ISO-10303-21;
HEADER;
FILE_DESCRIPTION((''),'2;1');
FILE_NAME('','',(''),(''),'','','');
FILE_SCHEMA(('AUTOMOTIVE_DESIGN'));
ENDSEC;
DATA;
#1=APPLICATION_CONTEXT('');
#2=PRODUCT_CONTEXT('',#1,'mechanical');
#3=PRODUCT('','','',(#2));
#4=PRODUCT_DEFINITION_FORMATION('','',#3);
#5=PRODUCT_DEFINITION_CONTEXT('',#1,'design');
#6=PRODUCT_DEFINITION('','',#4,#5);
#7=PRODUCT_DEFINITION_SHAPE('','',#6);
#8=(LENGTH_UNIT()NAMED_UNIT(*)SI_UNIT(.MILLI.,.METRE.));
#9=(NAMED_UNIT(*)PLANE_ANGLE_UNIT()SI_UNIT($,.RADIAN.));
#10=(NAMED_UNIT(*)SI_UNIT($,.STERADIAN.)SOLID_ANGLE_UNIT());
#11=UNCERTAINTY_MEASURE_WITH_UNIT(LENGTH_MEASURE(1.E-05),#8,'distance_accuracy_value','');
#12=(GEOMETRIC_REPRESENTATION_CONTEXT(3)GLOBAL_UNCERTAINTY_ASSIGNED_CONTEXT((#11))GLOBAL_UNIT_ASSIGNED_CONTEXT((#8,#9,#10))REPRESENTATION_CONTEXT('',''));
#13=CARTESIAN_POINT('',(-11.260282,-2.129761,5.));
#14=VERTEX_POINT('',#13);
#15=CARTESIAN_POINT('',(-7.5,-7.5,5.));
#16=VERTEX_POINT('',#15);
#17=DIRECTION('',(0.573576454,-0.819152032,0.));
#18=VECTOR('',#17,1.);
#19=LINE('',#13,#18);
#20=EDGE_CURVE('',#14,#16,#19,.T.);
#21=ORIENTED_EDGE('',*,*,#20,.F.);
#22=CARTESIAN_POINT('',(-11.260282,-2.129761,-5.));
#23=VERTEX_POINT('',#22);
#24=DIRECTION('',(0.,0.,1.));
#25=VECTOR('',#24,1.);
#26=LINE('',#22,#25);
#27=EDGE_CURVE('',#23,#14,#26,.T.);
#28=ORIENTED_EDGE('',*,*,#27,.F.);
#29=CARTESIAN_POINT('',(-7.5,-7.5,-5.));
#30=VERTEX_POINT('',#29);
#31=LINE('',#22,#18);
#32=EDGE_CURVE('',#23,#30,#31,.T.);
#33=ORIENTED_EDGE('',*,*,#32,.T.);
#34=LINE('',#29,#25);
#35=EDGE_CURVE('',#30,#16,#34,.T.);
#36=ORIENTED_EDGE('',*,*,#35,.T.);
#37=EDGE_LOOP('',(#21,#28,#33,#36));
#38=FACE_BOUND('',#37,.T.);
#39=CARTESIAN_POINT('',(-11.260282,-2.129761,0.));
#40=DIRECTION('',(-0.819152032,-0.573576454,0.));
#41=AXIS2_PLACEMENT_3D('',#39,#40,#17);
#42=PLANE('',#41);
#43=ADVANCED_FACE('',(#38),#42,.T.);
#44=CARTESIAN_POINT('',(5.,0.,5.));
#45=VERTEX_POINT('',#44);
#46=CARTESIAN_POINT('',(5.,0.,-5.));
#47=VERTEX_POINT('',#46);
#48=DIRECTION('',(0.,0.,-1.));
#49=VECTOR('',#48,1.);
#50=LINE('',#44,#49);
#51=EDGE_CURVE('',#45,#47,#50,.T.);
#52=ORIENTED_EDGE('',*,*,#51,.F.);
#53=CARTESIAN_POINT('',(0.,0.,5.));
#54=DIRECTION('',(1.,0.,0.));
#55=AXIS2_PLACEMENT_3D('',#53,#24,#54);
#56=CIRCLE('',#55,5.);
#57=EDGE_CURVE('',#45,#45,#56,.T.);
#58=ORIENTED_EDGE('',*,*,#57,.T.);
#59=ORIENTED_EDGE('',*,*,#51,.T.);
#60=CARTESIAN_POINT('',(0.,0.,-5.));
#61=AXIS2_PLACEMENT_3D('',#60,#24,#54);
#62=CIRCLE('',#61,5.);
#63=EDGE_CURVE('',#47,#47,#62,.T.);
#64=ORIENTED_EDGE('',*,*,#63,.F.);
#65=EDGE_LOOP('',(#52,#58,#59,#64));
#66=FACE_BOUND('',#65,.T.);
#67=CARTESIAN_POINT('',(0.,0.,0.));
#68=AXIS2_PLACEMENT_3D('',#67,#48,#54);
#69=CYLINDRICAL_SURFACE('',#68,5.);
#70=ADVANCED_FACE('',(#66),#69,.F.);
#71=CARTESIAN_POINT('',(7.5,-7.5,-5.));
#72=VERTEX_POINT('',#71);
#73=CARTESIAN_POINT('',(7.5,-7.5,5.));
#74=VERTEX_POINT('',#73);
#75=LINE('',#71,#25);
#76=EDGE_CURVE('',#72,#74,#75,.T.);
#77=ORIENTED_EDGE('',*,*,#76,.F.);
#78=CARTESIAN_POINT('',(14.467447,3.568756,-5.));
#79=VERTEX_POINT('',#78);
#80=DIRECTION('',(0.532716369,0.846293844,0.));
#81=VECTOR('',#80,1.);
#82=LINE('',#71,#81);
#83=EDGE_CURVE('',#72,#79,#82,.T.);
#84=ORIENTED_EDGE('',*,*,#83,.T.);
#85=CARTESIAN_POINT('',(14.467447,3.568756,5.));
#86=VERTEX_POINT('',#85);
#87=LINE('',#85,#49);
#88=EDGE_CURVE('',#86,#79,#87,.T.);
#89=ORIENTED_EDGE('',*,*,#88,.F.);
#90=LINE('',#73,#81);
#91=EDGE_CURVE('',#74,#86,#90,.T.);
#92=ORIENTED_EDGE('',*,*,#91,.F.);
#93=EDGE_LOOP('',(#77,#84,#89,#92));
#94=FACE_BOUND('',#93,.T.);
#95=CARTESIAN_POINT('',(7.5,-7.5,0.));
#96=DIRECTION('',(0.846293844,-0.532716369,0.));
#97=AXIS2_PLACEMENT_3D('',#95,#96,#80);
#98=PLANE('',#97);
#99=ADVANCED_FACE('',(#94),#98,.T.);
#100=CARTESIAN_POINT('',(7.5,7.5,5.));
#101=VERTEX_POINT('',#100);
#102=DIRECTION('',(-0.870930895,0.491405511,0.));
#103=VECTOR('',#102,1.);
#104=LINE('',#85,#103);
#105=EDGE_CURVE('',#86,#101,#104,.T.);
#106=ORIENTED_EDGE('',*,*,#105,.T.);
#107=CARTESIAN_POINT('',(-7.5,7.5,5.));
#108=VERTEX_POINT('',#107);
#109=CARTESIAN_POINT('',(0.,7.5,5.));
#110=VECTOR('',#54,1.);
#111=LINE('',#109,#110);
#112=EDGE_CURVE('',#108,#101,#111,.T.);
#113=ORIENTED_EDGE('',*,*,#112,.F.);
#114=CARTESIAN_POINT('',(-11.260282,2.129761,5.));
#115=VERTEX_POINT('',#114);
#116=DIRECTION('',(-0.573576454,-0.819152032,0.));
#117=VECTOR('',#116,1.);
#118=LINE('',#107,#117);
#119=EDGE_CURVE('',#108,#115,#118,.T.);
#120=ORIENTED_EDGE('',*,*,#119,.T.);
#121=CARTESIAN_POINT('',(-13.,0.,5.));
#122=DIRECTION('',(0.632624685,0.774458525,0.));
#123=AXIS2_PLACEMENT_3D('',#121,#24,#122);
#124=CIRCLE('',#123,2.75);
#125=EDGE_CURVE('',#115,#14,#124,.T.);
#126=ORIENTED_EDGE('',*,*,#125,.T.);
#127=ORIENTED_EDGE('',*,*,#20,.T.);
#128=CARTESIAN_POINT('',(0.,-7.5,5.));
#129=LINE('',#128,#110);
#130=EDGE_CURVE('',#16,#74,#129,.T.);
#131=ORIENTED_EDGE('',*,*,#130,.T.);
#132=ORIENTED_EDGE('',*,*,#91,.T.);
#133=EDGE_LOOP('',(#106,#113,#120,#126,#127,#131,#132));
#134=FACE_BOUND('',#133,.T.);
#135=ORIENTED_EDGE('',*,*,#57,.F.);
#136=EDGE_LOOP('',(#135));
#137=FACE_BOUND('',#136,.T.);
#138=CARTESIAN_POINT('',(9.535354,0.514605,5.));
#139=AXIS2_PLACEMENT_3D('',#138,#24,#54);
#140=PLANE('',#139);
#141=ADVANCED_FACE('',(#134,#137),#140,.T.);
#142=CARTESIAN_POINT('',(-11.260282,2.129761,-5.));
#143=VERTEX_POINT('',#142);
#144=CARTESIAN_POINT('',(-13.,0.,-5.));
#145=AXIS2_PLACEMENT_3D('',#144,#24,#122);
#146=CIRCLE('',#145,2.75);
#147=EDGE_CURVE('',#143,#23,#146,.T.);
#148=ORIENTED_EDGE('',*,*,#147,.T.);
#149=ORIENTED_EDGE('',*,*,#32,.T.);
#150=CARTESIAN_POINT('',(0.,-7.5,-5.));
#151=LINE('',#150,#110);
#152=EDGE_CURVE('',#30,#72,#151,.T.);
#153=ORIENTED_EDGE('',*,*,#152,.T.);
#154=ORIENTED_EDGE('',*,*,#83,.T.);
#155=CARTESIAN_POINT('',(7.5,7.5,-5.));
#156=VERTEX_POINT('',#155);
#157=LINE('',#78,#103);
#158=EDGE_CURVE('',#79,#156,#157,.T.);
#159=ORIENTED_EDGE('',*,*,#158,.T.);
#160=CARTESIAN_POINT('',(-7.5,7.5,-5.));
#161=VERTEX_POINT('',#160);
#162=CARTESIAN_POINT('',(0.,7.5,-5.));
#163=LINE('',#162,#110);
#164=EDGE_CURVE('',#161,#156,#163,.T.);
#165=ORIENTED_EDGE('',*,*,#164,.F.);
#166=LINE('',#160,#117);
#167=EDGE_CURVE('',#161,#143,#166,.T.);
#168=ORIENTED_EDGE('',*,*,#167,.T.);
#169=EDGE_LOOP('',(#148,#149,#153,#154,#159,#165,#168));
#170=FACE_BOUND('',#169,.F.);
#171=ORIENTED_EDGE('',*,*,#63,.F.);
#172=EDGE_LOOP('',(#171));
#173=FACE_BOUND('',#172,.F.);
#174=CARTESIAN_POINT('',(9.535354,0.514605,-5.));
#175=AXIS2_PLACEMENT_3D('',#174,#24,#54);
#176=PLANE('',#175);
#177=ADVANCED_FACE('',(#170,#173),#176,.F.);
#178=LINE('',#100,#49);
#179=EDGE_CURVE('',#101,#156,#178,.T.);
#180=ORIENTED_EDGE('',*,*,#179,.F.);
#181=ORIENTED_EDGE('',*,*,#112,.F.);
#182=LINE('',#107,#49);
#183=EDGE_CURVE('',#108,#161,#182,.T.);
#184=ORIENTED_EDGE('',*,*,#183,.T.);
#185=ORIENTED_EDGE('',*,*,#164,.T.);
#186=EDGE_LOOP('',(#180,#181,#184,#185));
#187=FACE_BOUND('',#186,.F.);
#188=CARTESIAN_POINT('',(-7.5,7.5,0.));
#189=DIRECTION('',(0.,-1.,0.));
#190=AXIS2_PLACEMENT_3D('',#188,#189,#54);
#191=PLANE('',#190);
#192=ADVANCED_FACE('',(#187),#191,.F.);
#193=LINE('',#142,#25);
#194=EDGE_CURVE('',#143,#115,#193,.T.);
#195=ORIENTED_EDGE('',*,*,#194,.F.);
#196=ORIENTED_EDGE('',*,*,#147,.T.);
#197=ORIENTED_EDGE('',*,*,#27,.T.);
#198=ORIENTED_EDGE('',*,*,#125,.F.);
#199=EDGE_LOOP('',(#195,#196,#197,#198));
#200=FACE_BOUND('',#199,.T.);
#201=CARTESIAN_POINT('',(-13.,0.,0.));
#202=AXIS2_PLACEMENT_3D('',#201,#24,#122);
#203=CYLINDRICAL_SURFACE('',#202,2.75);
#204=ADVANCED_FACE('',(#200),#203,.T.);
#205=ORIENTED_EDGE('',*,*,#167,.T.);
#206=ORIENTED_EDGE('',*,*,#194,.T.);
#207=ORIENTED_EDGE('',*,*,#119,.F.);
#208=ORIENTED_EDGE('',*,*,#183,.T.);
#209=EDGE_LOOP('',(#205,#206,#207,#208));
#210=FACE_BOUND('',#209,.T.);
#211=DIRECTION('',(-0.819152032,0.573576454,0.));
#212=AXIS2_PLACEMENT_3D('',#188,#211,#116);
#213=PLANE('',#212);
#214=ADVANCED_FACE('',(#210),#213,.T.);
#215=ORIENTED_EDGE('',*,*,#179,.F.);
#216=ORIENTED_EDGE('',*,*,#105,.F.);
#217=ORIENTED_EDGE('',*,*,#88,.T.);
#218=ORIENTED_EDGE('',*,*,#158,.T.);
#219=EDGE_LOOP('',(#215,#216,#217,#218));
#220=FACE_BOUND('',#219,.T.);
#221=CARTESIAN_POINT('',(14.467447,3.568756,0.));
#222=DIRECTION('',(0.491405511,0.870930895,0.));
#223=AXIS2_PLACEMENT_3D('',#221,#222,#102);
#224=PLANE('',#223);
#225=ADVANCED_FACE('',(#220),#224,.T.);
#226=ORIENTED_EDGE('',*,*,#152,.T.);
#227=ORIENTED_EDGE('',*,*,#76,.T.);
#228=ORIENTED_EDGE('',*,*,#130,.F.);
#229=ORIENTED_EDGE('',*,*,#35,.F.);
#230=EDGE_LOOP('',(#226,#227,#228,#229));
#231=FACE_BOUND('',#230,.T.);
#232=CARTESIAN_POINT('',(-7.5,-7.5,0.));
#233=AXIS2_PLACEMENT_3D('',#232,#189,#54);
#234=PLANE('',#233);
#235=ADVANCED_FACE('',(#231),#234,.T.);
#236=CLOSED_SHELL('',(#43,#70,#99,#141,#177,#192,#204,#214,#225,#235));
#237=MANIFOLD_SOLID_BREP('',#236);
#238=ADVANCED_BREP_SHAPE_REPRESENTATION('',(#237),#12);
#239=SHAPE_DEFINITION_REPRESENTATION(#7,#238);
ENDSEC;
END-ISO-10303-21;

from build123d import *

# Parameters (mm, degrees)
F0_W     = 15
F0_H     = 15
F0_R     = 5
F1_DEPTH = 5
F3_DEPTH = 5
F5_DEPTH = 5


with BuildPart() as f1:
    # F0 (on Top) → F1 (new body, symmetric)
    with BuildSketch(Plane.XY):
        Rectangle(F0_W, F0_H)
        Circle(F0_R, mode=Mode.SUBTRACT)
    extrude(amount=F1_DEPTH, both=True)

    # F2 (on Top) → F3 (join, symmetric)
    with BuildSketch(Plane.XY):
        with BuildLine():
            Line((-7.5, 7.5), (-11.260282, 2.129761))
            ThreePointArc((-11.260282, 2.129761), (-15.75, 0), (-11.260282, -2.129761))
            Line((-11.260282, -2.129761), (-7.5, -7.5))
            Line((-7.5, -7.5), (-7.5, 7.5))
        make_face()
    extrude(amount=F3_DEPTH, both=True)

    # F4 (on Top) → F5 (join, symmetric)
    with BuildSketch(Plane.XY):
        Polygon((14.467447, 3.568756), (7.5, 7.5), (7.5, -7.5), align=None)
    extrude(amount=F5_DEPTH, both=True)


solid = f1.part
